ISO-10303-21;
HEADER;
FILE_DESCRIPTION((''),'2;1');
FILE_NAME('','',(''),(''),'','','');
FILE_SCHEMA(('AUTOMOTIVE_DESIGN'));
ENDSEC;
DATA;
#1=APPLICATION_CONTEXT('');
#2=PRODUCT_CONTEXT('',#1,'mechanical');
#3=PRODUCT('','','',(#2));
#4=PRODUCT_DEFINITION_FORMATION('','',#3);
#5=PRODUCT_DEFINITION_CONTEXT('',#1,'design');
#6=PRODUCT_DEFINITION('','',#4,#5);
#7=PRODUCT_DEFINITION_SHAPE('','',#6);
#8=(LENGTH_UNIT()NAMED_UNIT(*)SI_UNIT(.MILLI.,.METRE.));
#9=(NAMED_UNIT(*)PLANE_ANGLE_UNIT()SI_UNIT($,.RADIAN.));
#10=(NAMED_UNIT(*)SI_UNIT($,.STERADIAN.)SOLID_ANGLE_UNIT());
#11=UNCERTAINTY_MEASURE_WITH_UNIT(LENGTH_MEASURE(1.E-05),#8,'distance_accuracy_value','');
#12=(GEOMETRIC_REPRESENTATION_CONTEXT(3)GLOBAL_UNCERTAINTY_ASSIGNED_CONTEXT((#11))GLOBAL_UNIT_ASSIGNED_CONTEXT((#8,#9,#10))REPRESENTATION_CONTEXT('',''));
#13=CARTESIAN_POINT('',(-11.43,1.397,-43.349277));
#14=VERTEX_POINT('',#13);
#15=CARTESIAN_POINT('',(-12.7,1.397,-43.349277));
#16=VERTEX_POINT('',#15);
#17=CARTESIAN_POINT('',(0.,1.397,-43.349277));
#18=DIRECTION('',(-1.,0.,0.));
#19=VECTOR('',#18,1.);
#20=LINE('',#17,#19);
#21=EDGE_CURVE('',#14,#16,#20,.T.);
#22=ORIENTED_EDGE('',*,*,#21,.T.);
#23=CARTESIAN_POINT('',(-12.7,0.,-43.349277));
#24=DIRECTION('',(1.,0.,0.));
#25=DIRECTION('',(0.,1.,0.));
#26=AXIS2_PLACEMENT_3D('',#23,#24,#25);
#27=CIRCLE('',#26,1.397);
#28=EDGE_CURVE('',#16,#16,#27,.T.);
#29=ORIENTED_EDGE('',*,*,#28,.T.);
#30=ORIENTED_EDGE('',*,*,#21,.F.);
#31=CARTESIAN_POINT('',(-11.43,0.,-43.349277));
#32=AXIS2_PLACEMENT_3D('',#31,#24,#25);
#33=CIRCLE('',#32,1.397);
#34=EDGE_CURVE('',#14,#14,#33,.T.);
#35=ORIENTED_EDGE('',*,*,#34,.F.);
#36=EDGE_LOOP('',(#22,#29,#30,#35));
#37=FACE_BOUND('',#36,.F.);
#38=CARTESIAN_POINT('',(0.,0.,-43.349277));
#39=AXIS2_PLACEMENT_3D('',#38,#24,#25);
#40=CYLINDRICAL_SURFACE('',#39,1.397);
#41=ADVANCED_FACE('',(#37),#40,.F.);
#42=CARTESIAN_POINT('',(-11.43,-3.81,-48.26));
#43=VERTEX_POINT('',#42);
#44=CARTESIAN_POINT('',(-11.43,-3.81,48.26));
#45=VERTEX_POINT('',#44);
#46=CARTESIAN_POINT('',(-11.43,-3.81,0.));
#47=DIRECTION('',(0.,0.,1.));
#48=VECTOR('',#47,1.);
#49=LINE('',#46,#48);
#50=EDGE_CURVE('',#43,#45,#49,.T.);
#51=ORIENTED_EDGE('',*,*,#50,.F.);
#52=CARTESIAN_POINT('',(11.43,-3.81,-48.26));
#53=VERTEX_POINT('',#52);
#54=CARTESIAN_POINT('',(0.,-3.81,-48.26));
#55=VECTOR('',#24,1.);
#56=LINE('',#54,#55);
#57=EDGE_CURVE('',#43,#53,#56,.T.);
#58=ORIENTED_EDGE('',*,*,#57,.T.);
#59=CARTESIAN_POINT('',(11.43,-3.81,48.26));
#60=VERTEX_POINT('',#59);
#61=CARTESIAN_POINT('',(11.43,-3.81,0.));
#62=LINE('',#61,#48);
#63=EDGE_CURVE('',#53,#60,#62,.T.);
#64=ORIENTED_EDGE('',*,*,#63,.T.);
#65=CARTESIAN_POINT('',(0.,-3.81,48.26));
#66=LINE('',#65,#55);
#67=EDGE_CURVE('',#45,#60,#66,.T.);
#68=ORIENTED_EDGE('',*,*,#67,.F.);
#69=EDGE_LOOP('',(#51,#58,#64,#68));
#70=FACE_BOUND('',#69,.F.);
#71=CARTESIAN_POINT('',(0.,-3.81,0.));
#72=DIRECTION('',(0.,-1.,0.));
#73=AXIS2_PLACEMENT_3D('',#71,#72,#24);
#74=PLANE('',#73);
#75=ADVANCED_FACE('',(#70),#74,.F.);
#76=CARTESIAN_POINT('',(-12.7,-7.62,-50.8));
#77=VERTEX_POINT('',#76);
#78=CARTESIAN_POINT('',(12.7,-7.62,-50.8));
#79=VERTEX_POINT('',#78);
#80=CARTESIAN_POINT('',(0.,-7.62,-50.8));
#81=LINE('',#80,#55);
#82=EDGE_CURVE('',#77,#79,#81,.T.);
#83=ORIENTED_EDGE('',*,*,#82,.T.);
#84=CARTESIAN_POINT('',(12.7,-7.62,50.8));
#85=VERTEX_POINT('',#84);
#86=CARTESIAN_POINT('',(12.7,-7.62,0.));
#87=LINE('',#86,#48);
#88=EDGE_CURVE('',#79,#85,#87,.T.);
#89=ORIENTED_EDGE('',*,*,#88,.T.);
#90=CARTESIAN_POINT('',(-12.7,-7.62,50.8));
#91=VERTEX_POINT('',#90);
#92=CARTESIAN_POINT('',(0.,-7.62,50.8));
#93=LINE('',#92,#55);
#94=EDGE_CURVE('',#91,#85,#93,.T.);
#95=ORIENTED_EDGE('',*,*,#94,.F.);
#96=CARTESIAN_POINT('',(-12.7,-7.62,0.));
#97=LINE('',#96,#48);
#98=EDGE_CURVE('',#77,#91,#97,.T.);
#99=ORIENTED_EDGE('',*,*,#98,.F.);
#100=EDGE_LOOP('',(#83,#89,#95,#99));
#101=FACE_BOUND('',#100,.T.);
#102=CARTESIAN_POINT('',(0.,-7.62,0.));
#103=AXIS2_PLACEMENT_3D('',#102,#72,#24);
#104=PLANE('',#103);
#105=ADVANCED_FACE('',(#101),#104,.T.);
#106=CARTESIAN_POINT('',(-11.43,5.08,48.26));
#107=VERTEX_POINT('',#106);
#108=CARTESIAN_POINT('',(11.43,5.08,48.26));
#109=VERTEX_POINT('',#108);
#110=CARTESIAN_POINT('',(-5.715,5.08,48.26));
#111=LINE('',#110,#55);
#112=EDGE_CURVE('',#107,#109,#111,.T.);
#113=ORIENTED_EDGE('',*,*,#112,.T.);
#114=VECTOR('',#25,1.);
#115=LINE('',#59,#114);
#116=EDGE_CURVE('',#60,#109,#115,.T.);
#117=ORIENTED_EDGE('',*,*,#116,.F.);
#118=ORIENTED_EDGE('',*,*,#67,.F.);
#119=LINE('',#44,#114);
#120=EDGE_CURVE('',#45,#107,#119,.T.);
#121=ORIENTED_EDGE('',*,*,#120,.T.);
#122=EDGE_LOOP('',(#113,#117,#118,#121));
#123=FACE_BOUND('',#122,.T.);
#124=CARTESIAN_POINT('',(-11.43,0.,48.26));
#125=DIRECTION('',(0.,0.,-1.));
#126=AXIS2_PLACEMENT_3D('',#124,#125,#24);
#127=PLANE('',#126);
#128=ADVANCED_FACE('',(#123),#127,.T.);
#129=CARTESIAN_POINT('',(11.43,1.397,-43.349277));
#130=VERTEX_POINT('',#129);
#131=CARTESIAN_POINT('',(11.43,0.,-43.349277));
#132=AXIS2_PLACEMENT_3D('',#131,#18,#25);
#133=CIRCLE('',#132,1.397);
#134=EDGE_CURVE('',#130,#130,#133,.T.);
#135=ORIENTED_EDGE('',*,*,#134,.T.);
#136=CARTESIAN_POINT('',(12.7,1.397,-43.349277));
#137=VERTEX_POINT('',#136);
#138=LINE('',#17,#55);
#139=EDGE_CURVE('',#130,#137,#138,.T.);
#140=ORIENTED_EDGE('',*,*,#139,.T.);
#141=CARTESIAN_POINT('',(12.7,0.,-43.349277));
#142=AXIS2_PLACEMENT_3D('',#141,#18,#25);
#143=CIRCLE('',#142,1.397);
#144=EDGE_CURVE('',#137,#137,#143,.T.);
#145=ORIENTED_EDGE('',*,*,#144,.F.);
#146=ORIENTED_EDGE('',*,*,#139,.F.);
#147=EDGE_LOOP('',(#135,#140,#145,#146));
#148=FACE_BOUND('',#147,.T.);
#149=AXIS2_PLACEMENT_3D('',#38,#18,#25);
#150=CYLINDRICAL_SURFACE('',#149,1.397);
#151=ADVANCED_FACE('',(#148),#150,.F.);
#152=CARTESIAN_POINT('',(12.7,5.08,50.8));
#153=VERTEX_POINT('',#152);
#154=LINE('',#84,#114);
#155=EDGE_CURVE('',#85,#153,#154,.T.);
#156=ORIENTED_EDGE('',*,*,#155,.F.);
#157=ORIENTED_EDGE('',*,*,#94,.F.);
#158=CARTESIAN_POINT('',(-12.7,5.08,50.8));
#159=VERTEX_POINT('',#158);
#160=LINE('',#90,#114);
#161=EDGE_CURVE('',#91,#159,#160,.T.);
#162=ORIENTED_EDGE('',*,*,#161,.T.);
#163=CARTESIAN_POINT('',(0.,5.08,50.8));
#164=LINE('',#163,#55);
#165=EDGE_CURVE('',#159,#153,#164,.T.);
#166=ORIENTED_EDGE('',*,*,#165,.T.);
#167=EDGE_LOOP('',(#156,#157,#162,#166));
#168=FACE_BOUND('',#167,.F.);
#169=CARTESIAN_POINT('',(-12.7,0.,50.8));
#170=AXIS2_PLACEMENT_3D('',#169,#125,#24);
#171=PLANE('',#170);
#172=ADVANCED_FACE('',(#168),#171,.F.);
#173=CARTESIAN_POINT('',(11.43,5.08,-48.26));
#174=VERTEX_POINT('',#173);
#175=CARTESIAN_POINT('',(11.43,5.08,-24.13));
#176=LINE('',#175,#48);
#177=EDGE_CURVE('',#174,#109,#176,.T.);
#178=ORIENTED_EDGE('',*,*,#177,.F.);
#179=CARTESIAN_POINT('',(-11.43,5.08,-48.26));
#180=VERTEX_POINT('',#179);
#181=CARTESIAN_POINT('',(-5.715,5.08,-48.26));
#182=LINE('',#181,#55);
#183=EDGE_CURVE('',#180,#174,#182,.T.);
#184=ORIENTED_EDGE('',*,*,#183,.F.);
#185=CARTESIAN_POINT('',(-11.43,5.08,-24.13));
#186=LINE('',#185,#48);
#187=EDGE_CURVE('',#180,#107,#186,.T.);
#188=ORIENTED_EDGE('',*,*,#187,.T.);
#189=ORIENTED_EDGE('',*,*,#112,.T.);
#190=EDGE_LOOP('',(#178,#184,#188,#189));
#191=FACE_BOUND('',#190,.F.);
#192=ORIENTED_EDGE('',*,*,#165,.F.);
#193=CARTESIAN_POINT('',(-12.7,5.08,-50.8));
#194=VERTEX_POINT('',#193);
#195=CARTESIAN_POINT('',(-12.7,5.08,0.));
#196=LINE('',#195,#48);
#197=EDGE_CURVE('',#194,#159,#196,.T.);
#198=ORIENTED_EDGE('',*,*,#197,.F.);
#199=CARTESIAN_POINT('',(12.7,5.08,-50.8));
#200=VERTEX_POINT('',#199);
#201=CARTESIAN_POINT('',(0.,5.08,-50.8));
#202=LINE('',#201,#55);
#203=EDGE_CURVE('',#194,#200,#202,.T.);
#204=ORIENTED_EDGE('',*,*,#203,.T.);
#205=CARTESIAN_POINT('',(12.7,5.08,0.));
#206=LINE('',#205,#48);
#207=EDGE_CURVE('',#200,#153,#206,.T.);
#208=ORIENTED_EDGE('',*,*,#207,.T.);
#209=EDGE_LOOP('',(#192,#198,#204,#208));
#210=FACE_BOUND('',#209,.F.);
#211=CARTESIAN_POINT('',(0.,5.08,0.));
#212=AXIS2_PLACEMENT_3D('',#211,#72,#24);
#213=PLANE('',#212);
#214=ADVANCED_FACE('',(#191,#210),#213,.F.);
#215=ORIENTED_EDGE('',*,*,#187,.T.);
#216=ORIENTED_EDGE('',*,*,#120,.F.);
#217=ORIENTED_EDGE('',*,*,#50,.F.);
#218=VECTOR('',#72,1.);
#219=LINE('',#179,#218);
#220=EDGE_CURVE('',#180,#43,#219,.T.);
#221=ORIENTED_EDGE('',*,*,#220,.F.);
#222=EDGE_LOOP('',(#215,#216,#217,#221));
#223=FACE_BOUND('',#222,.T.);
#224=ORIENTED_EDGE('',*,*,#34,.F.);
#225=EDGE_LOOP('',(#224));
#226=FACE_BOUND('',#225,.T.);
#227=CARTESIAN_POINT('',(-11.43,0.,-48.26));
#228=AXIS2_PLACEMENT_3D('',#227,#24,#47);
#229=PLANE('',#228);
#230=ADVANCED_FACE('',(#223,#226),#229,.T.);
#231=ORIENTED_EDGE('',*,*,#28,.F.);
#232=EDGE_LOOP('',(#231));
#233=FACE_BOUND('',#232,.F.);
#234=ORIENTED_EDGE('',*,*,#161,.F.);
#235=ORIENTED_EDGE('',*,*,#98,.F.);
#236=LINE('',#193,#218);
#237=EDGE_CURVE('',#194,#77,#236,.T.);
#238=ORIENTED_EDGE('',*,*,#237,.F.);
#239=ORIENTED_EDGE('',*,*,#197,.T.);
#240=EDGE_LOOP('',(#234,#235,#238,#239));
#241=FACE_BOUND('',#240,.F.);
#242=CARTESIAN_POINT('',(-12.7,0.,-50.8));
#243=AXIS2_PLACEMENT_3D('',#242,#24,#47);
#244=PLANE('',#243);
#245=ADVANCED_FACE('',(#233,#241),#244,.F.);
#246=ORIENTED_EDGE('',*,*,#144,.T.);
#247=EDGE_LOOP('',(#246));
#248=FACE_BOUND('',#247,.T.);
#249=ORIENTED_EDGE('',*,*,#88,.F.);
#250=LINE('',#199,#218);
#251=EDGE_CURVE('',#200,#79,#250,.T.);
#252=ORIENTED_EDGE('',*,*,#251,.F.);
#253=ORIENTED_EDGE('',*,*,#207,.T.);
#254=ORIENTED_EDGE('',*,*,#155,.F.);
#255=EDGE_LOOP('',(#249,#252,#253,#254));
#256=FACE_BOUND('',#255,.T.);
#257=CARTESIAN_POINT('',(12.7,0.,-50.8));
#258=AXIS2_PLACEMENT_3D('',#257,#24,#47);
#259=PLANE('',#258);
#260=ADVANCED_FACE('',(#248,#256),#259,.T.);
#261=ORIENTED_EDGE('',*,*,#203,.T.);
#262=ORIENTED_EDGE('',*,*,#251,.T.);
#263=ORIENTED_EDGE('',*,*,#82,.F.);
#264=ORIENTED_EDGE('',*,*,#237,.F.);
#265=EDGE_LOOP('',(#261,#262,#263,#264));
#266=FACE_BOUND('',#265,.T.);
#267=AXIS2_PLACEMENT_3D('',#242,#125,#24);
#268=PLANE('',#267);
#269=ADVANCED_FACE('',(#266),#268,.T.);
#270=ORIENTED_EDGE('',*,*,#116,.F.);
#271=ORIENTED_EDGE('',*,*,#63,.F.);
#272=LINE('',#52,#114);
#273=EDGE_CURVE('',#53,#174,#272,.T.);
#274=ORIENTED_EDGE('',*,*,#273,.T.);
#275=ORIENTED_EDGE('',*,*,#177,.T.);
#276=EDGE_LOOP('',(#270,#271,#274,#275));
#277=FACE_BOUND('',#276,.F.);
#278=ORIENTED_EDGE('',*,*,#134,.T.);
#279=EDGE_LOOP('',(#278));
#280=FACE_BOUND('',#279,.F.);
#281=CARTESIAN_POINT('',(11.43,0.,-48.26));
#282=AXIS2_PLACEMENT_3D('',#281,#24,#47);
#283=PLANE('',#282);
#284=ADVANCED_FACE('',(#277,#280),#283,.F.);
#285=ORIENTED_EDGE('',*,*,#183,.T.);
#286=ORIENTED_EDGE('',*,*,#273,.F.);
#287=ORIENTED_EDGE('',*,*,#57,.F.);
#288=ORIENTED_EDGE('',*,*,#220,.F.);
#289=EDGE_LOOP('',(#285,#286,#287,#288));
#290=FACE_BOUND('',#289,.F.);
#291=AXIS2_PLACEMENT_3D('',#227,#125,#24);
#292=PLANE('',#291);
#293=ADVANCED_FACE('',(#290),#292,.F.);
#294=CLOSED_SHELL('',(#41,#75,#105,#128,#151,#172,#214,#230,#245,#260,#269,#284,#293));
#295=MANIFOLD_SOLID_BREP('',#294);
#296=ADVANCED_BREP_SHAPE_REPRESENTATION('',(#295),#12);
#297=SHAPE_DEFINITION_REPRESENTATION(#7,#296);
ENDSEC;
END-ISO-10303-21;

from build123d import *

# Parameters (mm, degrees)
F0_W          = 25.4
F0_H          = 101.6
F1_DEPTH      = 7.62
F1_DEPTH_BACK = 5.08
F2_W          = 22.86
F2_H          = 96.52
F3_DEPTH      = 3.81
F3_DEPTH_BACK = 25.4
F4_R          = 1.397
F5_DEPTH      = 15.24
F5_DEPTH_BACK = 15.24


with BuildPart() as f1:
    # F0 (on Front) → F1 (new body, two sides)
    with BuildSketch(Plane.XZ) as f1_sk:
        Rectangle(F0_W, F0_H)
    extrude(amount=F1_DEPTH)
    extrude(f1_sk.sketch, amount=-F1_DEPTH_BACK)

    # F2 (on Front) → F3 (cut, two sides)
    with BuildSketch(Plane.XZ) as f3_sk:
        Rectangle(F2_W, F2_H)
    extrude(amount=F3_DEPTH, mode=Mode.SUBTRACT)
    extrude(f3_sk.sketch, amount=-F3_DEPTH_BACK, mode=Mode.SUBTRACT)

    # F4 (on Right) → F5 (cut, two sides)
    with BuildSketch(Plane.YZ) as f5_sk:
        with Locations((0, -43.349277)):
            Circle(F4_R)
    extrude(amount=F5_DEPTH, mode=Mode.SUBTRACT)
    extrude(f5_sk.sketch, amount=-F5_DEPTH_BACK, mode=Mode.SUBTRACT)


solid = f1.part
